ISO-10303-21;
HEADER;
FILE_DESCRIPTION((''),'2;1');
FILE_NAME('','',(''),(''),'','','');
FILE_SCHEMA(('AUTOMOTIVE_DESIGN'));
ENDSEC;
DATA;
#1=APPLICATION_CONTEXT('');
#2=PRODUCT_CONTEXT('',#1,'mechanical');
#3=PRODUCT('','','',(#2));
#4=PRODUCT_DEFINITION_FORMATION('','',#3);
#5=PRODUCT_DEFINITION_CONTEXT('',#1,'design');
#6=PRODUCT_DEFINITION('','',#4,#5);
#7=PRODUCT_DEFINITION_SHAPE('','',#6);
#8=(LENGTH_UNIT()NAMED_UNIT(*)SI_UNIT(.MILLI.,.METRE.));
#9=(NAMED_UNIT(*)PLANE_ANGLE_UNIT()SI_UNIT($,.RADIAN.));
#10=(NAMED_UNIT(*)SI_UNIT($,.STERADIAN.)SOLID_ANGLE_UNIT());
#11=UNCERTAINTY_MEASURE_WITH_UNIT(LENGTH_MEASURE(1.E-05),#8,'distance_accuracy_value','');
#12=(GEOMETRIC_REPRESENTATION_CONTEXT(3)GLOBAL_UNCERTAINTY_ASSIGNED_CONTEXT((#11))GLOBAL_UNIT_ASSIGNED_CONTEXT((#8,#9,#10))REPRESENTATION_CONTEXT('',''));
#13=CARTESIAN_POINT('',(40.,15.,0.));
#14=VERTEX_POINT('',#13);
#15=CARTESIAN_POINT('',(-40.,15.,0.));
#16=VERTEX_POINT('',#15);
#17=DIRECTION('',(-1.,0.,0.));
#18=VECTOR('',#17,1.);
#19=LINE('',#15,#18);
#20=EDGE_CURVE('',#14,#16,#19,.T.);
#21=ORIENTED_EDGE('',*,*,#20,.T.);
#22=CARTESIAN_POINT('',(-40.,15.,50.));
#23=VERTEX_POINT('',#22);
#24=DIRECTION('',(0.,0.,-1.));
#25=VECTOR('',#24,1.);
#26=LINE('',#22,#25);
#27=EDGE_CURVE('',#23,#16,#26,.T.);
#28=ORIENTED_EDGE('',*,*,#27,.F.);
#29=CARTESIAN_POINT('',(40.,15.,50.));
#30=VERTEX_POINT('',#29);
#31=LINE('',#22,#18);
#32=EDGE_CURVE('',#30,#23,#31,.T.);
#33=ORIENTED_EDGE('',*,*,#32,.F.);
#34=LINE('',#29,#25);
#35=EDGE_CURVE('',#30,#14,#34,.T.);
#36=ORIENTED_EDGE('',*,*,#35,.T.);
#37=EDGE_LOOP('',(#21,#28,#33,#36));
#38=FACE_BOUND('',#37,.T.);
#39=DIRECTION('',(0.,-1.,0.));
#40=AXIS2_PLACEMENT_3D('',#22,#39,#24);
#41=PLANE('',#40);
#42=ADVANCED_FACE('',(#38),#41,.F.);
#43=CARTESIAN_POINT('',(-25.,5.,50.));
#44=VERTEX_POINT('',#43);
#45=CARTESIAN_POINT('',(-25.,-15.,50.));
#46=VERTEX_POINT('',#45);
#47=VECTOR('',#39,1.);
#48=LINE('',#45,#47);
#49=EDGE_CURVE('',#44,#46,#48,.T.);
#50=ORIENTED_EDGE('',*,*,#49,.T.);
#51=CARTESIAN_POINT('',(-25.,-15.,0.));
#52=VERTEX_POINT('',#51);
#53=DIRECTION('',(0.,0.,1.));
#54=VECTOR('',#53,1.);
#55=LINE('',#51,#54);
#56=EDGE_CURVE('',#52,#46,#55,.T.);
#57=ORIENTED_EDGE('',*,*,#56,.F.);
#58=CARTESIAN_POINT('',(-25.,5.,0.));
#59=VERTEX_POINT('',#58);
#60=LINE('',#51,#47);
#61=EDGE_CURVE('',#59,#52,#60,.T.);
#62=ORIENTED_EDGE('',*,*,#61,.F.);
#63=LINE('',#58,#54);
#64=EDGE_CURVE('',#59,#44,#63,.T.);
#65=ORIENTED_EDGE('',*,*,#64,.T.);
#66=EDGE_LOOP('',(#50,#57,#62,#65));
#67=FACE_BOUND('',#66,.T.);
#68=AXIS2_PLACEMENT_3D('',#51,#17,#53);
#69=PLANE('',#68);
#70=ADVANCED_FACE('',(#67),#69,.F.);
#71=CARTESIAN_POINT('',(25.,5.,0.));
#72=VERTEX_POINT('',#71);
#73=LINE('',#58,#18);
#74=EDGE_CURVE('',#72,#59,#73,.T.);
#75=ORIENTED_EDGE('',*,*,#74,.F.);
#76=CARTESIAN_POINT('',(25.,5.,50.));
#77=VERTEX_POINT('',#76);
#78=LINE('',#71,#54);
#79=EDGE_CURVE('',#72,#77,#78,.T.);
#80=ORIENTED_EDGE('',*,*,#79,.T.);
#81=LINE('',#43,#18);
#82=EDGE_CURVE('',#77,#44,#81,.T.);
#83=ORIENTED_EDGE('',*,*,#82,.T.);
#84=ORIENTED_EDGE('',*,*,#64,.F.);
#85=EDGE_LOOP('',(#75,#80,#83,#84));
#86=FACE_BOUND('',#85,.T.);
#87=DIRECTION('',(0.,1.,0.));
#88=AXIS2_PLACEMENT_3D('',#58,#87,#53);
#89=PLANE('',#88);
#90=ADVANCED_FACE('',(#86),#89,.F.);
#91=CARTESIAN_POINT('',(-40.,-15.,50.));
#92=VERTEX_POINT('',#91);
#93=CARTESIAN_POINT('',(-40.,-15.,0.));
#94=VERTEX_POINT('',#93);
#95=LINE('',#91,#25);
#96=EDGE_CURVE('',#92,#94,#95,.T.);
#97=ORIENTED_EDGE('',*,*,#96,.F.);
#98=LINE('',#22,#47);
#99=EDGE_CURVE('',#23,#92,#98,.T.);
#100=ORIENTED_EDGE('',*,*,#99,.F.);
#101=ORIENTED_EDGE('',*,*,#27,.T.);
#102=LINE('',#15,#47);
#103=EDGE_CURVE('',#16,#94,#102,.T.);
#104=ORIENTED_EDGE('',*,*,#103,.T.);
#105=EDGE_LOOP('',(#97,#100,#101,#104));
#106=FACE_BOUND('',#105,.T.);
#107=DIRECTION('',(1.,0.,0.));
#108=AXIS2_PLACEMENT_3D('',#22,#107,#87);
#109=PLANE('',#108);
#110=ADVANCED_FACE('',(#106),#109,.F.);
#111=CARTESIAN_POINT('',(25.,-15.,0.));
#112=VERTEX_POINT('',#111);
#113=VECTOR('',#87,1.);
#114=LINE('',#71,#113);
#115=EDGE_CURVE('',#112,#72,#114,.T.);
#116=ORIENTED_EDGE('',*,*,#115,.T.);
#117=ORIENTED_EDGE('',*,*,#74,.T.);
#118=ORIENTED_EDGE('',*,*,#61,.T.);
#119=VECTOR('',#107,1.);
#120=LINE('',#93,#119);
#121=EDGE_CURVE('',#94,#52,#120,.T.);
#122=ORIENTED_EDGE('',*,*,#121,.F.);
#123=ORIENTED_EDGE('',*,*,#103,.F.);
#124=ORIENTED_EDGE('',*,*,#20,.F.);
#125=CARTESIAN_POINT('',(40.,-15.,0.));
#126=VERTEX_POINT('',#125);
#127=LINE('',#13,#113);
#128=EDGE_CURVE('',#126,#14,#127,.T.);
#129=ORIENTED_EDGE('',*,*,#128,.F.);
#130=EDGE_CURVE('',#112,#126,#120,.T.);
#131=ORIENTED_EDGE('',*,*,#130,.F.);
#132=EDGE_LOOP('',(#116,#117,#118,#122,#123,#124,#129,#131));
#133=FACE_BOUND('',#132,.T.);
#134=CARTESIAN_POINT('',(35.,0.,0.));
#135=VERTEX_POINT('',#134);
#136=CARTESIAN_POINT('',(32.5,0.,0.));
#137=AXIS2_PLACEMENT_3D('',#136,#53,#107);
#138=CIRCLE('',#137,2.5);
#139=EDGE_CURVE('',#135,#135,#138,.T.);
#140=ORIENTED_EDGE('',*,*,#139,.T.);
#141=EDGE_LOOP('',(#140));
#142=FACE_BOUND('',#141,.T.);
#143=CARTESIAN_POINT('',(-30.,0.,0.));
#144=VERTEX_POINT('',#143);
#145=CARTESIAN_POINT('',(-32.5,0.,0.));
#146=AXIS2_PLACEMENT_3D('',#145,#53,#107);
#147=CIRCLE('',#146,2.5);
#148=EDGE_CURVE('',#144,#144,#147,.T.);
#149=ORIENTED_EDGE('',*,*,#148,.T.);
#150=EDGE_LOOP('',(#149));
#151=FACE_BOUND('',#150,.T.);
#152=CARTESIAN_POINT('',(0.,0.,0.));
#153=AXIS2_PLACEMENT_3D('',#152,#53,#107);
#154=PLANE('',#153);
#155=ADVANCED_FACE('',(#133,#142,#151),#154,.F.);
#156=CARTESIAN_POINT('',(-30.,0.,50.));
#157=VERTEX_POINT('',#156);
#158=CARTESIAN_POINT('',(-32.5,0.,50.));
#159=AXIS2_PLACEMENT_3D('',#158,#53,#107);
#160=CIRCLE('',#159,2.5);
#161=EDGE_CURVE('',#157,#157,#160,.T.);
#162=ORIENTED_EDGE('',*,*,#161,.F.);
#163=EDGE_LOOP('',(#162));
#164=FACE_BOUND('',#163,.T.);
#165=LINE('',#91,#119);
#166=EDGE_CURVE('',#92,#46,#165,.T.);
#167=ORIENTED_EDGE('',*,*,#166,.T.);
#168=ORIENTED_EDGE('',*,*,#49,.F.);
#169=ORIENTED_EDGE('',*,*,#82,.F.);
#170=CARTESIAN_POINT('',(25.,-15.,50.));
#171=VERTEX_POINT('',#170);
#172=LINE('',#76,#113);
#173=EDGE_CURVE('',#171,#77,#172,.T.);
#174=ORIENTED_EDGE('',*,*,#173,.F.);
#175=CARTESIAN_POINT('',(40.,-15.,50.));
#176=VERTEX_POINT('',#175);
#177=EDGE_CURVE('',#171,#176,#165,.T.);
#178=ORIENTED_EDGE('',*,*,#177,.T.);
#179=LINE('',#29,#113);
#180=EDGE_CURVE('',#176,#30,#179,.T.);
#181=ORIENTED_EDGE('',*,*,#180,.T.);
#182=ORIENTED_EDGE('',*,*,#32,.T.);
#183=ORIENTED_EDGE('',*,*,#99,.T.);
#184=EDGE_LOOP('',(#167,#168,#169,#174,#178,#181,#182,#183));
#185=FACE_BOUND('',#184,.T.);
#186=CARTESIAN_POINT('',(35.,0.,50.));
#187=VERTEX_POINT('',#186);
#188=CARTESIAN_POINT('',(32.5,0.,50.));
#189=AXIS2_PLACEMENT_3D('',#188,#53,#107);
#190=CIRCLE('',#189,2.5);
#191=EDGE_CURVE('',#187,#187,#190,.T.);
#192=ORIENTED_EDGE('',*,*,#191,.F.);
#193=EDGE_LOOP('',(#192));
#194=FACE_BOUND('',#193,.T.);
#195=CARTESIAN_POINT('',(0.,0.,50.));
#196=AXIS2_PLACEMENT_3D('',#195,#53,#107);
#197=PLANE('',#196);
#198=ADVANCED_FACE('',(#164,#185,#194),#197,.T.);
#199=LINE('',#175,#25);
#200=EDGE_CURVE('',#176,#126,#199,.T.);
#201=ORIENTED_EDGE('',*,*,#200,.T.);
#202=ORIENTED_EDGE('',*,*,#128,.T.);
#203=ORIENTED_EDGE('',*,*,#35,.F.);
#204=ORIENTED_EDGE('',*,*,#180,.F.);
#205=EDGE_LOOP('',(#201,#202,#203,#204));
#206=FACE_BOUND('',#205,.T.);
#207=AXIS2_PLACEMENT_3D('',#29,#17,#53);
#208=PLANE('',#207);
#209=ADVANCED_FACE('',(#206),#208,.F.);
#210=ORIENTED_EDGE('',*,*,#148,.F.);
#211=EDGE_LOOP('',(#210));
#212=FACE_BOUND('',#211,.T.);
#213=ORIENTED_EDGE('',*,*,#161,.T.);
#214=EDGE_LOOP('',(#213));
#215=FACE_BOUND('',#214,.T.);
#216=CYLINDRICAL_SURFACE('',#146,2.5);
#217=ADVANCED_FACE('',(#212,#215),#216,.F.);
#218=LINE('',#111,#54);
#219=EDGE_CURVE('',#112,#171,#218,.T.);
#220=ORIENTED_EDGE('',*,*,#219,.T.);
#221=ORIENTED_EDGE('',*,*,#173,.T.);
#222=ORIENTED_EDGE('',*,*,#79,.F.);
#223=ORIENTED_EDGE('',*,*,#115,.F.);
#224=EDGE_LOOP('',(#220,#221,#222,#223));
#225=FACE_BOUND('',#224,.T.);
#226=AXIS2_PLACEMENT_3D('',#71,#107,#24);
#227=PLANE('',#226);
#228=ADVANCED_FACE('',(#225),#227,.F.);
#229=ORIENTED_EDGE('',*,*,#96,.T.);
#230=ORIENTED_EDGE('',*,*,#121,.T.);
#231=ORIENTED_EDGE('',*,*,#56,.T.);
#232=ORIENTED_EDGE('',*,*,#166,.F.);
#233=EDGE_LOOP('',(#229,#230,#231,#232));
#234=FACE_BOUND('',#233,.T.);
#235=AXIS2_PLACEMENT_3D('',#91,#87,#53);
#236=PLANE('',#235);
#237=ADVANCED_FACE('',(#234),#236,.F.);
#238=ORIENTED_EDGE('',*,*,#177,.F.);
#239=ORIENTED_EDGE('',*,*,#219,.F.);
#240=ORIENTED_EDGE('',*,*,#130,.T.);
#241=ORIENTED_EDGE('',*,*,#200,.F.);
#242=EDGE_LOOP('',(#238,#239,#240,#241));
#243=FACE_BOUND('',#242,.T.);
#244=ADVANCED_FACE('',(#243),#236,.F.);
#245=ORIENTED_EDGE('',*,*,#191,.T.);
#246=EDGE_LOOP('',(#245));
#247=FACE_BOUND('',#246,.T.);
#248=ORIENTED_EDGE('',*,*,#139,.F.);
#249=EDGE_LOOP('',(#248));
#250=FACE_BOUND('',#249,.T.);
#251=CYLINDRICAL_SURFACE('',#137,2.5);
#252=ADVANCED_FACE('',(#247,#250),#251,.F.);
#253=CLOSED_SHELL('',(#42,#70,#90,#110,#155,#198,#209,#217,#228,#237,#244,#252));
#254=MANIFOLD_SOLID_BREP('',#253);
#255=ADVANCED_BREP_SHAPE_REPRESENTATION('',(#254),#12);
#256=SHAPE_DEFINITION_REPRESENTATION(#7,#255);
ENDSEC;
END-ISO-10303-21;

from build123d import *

# Parameters (mm, degrees)
SKETCH1_W           = 80
SKETCH1_H           = 30
BOSS_EXTRUDE1_DEPTH = 50
SKETCH2_W           = 50
SKETCH2_H           = 20
CUT_EXTRUDE1_DEPTH  = 50
SKETCH3_R           = 2.5
CUT_EXTRUDE2_DEPTH  = 50


with BuildPart() as part:
    # Sketch1 → Boss-Extrude1 (new body)
    with BuildSketch(Plane.XY):
        Rectangle(SKETCH1_W, SKETCH1_H)
    extrude(amount=BOSS_EXTRUDE1_DEPTH)

    # Sketch2 → Cut-Extrude1 (cut)
    with BuildSketch(Plane.XY.offset(50)):
        with Locations((0, -5)):
            Rectangle(SKETCH2_W, SKETCH2_H)
    extrude(amount=-CUT_EXTRUDE1_DEPTH, mode=Mode.SUBTRACT)

    # Sketch3 → Cut-Extrude2 (cut)
    with BuildSketch(Plane.XY.offset(50)):
        with Locations((-32.5, 0)):
            Circle(SKETCH3_R)
        with Locations((32.5, 0)):
            Circle(SKETCH3_R)
    extrude(amount=-CUT_EXTRUDE2_DEPTH, mode=Mode.SUBTRACT)


solid = part.part
